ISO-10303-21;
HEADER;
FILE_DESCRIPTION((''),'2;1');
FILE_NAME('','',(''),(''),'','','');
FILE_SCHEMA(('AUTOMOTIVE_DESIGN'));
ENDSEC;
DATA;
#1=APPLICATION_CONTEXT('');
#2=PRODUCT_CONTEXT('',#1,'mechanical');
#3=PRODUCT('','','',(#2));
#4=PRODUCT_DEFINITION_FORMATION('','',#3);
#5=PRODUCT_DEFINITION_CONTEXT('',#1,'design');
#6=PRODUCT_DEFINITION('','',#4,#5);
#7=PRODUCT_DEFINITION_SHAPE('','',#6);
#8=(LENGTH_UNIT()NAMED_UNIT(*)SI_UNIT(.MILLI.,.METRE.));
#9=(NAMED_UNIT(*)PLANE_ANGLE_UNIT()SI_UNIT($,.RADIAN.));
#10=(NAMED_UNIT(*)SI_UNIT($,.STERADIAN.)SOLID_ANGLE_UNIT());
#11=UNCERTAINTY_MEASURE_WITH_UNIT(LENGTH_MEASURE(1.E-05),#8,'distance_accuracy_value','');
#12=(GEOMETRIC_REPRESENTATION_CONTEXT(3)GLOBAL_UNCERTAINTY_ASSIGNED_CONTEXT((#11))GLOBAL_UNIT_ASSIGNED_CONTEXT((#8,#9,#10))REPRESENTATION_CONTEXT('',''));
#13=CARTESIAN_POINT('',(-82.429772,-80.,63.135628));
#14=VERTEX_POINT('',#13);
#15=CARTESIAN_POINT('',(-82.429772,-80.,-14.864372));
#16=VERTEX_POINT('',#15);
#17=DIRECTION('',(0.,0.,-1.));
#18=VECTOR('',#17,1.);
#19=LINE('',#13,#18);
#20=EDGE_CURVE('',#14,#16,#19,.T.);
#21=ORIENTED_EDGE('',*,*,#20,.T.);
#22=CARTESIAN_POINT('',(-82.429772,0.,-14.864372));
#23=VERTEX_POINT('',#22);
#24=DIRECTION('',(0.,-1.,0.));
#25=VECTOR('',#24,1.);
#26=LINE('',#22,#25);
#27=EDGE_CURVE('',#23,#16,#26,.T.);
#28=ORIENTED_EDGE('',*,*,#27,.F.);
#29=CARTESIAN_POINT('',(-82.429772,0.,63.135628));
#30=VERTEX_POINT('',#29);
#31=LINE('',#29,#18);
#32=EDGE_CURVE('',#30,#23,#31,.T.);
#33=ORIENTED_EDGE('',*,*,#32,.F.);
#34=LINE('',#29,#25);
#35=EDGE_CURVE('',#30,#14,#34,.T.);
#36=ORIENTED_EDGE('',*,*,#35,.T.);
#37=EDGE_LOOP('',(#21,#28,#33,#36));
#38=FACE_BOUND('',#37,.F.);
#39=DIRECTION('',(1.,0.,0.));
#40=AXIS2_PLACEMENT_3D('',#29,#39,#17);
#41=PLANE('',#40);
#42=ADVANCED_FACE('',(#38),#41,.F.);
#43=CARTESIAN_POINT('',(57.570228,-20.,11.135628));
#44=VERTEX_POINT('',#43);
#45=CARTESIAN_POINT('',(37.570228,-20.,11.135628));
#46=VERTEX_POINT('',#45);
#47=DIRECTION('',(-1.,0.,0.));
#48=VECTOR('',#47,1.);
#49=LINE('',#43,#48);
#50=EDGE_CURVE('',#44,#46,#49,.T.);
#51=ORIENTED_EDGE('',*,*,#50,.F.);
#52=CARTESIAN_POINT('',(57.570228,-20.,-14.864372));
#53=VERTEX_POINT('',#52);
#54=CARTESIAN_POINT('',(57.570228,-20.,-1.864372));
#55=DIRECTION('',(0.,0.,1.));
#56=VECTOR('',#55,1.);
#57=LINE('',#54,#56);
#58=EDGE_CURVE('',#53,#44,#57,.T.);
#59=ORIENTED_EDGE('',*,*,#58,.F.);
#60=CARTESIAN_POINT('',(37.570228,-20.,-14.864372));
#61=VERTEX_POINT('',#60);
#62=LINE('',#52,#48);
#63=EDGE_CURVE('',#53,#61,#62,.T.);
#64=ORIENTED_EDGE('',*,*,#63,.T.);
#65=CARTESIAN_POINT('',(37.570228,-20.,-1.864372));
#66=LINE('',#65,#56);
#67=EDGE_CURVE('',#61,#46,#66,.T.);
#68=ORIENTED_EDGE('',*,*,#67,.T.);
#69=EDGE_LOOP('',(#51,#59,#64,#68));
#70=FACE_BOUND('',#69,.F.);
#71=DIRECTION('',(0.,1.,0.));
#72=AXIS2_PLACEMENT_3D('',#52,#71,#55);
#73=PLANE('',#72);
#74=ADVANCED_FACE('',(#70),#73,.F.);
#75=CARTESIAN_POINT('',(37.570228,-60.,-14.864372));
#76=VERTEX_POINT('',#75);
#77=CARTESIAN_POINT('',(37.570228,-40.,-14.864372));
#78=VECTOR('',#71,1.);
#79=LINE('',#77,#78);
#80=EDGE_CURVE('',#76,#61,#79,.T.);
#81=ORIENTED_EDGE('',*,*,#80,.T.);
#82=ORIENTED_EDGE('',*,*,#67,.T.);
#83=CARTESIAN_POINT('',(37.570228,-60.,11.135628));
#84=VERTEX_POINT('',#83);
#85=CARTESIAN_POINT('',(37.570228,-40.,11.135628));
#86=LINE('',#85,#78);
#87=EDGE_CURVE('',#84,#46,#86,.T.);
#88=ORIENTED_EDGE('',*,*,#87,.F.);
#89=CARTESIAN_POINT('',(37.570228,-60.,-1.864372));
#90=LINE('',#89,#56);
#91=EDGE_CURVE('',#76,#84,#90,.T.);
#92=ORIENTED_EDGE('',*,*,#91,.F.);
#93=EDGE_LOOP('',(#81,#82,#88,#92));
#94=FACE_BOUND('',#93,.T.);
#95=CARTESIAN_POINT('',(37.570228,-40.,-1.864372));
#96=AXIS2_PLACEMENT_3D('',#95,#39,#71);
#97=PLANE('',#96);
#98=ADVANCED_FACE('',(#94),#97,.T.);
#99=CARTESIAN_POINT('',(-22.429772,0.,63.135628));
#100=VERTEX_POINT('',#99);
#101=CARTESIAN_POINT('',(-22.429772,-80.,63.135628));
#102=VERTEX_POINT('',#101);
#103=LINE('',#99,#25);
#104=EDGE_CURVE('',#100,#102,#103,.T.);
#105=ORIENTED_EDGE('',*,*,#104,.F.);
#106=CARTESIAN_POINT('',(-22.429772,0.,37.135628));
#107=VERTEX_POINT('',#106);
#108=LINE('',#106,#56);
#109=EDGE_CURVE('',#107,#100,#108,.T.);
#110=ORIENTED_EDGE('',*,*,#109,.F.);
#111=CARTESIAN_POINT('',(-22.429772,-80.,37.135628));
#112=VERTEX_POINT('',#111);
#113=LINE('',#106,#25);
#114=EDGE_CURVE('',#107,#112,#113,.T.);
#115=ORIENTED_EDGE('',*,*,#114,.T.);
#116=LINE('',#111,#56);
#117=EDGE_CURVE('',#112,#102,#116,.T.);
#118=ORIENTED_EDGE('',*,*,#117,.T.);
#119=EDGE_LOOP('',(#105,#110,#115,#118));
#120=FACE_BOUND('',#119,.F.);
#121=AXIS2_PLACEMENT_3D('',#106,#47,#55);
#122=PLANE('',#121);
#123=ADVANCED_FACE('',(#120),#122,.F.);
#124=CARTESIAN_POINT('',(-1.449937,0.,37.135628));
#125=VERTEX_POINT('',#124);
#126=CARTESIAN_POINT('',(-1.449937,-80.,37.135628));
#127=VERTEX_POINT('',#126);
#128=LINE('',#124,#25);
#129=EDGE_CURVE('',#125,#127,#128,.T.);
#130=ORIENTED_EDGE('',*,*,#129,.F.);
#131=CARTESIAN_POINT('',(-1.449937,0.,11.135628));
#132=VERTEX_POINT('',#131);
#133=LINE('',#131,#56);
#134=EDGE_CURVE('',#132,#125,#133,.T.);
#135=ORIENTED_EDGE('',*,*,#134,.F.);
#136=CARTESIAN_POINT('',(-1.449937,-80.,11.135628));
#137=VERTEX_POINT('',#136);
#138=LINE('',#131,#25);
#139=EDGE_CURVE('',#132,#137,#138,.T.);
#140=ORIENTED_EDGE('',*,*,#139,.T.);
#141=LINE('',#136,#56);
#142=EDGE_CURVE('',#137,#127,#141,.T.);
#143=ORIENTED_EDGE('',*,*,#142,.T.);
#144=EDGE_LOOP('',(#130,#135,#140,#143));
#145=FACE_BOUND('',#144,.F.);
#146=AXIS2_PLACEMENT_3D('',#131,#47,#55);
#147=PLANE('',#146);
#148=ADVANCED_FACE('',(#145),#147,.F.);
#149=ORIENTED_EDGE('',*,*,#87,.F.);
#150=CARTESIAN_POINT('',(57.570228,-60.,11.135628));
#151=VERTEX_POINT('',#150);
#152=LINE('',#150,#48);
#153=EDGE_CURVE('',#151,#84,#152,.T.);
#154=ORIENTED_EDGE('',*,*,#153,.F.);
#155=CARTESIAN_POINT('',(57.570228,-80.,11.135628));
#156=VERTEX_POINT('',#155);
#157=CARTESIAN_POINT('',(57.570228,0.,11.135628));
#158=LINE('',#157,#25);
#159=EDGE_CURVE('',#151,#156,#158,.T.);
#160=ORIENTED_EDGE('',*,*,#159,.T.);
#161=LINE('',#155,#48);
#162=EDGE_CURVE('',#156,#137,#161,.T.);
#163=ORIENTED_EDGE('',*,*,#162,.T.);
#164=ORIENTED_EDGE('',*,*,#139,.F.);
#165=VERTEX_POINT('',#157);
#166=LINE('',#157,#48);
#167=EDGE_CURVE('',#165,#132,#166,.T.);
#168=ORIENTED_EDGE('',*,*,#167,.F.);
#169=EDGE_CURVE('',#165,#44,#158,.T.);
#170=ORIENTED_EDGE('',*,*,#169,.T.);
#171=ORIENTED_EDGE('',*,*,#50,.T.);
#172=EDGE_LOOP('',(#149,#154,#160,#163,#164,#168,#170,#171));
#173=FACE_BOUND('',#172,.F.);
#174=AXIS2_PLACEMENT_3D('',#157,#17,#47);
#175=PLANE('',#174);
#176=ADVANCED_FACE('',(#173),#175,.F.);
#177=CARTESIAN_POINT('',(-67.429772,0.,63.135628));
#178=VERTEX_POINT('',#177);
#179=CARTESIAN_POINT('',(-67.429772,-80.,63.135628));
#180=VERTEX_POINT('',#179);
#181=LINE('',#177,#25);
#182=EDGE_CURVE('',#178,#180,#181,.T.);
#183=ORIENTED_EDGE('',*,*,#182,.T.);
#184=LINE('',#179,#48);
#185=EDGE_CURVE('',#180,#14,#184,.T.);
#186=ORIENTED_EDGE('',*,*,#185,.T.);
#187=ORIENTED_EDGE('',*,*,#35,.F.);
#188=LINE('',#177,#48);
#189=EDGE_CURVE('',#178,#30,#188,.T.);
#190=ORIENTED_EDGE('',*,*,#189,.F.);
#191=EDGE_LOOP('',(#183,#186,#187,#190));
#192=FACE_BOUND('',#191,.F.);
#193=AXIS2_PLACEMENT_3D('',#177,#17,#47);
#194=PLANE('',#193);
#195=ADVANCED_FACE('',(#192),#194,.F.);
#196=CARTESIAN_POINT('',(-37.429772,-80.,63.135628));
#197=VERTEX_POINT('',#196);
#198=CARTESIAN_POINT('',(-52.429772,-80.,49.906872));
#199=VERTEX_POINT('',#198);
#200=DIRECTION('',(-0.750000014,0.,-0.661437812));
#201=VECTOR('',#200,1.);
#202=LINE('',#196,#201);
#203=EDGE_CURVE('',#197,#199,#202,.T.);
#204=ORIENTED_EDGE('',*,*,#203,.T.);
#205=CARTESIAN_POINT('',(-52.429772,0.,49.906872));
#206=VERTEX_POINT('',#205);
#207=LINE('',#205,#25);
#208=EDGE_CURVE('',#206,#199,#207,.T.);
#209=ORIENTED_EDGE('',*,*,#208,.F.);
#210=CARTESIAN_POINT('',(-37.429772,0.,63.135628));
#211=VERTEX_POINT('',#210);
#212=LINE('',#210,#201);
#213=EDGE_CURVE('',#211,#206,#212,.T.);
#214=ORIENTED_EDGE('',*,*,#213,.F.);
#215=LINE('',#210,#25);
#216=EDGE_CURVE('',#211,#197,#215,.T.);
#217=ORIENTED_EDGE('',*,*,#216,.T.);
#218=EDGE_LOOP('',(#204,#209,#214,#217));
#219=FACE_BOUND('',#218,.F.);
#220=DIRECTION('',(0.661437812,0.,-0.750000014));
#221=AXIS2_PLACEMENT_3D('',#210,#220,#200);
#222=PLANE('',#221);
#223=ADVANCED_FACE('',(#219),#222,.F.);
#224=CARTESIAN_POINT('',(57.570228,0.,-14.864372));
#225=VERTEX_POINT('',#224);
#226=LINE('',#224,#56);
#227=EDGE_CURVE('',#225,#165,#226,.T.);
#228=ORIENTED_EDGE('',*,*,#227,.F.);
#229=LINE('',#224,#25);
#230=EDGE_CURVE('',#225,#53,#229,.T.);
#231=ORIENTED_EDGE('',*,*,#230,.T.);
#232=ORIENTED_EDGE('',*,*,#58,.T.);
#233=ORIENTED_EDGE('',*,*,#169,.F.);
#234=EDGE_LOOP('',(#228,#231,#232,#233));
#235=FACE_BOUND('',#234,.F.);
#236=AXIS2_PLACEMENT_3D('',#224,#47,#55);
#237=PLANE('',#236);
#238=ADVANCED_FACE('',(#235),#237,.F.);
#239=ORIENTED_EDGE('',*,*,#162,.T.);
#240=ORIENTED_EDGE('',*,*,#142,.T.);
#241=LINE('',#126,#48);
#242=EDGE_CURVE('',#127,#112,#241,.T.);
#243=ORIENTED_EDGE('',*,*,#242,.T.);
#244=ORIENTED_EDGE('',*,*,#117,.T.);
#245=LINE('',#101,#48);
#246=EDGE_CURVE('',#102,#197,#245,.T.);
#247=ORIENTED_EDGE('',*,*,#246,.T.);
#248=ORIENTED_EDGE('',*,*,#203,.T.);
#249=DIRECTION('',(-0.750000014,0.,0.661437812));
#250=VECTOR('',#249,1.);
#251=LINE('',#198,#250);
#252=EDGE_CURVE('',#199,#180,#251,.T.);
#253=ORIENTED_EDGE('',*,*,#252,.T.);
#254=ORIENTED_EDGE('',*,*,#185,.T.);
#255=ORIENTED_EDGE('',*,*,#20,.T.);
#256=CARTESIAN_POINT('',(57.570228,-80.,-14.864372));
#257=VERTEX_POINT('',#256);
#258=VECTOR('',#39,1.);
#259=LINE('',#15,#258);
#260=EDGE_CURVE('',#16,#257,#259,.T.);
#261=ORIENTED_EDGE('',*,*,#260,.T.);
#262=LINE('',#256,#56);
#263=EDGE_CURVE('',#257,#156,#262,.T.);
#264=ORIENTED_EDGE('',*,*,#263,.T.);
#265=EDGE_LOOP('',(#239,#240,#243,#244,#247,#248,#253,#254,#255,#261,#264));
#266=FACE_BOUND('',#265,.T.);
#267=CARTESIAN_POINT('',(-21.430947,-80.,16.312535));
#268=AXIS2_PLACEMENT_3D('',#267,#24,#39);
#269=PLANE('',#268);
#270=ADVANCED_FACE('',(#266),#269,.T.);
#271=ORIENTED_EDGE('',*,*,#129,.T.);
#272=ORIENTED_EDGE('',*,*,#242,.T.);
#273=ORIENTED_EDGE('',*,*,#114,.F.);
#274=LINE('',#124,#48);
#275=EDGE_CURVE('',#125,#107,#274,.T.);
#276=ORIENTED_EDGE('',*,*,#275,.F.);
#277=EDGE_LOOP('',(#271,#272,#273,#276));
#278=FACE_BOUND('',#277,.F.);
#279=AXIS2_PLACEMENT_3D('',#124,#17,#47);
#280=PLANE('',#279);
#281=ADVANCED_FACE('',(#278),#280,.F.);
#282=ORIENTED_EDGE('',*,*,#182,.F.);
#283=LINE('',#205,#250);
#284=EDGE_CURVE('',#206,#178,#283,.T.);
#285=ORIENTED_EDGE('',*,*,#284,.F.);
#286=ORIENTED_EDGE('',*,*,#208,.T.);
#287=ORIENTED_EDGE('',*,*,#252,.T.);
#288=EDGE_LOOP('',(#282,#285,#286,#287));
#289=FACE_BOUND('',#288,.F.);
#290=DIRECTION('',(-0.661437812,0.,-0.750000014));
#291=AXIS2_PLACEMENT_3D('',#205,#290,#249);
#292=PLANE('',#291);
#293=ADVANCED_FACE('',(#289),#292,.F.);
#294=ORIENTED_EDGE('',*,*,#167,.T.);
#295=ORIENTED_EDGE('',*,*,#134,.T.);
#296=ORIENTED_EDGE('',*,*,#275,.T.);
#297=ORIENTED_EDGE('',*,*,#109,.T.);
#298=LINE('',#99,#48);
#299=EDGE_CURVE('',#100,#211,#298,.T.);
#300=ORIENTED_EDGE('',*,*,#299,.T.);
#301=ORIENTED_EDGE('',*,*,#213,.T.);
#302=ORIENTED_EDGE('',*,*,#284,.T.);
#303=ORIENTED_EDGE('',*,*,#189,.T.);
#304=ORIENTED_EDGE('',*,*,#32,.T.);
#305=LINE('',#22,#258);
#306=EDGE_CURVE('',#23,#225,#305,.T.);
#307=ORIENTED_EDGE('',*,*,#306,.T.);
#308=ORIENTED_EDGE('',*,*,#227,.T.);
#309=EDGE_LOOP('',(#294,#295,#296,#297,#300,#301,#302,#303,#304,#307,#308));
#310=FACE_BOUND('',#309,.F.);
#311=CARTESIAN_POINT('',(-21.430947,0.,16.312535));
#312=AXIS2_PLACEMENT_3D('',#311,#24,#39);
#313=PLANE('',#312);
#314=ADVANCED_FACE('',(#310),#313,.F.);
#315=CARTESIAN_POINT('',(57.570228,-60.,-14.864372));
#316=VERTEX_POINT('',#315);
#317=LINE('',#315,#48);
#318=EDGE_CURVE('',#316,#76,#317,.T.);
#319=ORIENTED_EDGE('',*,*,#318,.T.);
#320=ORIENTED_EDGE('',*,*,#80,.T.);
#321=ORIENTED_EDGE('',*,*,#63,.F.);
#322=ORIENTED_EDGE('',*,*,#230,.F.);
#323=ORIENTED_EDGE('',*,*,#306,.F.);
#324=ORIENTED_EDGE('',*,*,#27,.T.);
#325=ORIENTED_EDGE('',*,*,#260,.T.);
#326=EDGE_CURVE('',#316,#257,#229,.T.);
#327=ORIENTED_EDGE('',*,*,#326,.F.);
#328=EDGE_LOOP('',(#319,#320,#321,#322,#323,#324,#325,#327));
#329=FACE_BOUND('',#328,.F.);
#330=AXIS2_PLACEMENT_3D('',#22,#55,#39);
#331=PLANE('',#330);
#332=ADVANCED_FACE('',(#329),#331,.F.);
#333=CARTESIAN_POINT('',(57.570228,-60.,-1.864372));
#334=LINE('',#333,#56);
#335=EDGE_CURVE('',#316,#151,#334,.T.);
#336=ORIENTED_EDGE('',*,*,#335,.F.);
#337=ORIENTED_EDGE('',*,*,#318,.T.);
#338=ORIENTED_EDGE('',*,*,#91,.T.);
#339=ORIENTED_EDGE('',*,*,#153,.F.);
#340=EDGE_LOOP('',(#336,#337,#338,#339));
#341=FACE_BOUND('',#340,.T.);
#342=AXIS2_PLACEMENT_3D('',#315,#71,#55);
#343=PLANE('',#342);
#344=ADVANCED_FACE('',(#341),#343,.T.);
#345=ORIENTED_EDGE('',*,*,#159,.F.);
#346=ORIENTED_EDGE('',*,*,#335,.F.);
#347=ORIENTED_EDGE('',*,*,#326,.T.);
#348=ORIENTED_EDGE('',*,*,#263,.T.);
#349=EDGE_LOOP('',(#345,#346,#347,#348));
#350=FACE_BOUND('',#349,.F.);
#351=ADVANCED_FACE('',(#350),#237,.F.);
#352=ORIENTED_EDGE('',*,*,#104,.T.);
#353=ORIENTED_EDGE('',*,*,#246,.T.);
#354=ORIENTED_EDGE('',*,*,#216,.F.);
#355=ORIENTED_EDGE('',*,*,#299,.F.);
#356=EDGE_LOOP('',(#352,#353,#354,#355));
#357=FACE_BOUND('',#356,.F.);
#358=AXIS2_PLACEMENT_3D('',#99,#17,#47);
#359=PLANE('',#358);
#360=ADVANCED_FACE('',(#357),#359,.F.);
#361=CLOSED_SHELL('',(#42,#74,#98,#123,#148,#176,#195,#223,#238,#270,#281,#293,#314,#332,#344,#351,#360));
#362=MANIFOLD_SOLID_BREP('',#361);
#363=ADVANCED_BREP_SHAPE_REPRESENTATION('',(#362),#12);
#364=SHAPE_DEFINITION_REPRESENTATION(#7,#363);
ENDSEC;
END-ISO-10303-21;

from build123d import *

# Parameters (mm, degrees)
F1_DEPTH = 80
F2_W     = 40
F2_H     = 26
F3_DEPTH = 20


with BuildPart() as f1:
    # F0 (on Front) → F1 (new body)
    with BuildSketch(Plane.XZ):
        Polygon((-82.429772, -14.864372), (57.570228, -14.864372), (57.570228, 11.135628), (-1.449937, 11.135628), (-1.449937, 37.135628), (-22.429772, 37.135628), (-22.429772, 63.135628), (-37.429772, 63.135628), (-52.429772, 49.906872), (-67.429772, 63.135628), (-82.429772, 63.135628), align=None)
    extrude(amount=F1_DEPTH)

    # F2 (on face) → F3 (cut)
    with BuildSketch(Plane.YZ.offset(57.570228)):
        with Locations((-40, -1.864372)):
            Rectangle(F2_W, F2_H)
    extrude(amount=-F3_DEPTH, mode=Mode.SUBTRACT)


solid = f1.part
